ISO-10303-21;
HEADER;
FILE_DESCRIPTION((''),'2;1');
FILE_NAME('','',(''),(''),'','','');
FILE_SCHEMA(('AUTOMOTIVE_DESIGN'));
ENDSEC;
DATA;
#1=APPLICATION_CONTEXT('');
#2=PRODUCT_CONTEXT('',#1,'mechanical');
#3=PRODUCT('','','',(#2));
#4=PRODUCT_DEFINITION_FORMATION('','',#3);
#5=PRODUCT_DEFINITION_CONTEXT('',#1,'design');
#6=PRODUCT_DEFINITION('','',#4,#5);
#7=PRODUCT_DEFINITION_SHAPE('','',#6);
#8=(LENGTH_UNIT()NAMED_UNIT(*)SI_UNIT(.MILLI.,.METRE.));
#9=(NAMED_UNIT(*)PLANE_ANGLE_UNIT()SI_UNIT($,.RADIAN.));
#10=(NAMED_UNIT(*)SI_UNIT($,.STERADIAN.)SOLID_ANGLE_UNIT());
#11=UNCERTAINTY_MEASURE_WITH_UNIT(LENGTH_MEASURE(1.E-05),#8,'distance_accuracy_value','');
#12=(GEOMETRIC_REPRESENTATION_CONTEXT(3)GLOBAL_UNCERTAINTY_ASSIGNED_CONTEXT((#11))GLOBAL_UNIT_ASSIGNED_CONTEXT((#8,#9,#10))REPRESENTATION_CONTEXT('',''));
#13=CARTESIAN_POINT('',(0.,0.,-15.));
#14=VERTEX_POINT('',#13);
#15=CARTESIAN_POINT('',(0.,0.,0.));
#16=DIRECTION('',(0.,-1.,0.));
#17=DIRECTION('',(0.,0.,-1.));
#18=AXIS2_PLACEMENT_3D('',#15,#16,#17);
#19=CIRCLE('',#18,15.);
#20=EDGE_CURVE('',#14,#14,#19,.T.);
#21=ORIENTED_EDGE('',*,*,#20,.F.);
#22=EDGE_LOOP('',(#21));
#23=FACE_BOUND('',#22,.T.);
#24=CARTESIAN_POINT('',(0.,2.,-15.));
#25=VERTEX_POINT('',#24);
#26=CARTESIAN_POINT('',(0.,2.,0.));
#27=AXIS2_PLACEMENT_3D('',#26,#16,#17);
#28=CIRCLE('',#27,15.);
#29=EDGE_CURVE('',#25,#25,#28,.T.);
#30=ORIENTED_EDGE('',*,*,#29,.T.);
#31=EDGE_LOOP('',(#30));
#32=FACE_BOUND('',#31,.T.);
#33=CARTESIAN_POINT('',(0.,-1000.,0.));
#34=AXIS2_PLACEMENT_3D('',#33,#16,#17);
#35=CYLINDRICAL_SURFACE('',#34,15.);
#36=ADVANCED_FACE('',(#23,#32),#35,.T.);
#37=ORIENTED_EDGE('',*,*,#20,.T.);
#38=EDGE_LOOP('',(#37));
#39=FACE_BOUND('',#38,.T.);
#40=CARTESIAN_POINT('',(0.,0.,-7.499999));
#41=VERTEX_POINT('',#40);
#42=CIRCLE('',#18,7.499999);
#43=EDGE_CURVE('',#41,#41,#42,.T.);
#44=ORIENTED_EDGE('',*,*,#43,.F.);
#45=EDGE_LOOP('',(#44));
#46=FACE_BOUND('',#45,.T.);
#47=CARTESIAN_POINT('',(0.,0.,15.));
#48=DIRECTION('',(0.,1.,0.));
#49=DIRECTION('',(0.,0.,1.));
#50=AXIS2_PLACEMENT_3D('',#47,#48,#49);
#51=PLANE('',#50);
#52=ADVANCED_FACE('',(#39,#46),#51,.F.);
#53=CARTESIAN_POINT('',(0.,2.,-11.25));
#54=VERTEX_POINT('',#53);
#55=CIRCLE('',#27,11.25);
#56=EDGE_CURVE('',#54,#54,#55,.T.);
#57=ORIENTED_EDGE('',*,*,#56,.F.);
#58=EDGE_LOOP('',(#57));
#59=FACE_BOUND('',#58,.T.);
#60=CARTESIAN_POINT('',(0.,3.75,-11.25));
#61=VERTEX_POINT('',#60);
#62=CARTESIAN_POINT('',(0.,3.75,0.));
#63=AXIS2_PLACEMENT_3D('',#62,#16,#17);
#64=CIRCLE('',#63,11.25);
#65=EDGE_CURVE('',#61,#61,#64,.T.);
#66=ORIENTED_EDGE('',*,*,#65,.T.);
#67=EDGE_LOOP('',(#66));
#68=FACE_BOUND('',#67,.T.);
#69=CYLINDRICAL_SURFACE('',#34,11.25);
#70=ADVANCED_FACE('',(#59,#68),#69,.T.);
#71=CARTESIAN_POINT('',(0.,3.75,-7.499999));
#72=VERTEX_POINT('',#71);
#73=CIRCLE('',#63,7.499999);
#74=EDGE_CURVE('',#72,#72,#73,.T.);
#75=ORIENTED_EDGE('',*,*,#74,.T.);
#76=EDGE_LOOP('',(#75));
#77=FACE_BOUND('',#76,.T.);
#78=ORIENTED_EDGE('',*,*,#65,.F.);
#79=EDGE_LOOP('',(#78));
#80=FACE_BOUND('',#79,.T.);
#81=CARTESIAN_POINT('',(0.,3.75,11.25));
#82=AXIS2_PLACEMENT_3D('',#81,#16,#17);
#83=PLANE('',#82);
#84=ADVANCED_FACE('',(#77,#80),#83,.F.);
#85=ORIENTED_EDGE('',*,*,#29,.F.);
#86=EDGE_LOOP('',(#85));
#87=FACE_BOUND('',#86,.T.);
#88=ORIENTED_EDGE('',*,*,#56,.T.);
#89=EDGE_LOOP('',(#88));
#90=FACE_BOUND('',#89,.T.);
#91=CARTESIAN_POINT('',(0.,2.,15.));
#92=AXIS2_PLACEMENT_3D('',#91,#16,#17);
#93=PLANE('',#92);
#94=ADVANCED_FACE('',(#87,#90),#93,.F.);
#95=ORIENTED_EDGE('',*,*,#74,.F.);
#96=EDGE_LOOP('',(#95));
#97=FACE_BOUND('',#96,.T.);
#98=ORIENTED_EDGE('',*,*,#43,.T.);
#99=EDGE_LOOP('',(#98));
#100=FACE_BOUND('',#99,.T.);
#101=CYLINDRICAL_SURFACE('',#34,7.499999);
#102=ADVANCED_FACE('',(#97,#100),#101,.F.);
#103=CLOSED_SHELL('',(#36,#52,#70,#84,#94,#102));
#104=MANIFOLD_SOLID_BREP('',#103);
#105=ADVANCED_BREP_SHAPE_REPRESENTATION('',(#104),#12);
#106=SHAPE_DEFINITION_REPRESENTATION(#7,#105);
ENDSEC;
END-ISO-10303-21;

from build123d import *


with BuildPart() as part:
    # Sketch2 → Revolve1 (revolve)
    with BuildSketch(Plane(origin=(0, 0, 0), x_dir=(0, 0, -1), z_dir=(1, 0, 0)), mode=Mode.PRIVATE) as revolve1_sk:
        Polygon((-15, 0), (-7.499999024, 0), (-7.499999024, 3.75), (-11.25, 3.75), (-11.25, 2), (-15, 2), align=None)
    revolve(revolve1_sk.sketch.rotate(Axis((0, -1000, 0), (0, 1, 0)), 180), axis=Axis((0, -1000, 0), (0, 1, 0)))


solid = part.part
